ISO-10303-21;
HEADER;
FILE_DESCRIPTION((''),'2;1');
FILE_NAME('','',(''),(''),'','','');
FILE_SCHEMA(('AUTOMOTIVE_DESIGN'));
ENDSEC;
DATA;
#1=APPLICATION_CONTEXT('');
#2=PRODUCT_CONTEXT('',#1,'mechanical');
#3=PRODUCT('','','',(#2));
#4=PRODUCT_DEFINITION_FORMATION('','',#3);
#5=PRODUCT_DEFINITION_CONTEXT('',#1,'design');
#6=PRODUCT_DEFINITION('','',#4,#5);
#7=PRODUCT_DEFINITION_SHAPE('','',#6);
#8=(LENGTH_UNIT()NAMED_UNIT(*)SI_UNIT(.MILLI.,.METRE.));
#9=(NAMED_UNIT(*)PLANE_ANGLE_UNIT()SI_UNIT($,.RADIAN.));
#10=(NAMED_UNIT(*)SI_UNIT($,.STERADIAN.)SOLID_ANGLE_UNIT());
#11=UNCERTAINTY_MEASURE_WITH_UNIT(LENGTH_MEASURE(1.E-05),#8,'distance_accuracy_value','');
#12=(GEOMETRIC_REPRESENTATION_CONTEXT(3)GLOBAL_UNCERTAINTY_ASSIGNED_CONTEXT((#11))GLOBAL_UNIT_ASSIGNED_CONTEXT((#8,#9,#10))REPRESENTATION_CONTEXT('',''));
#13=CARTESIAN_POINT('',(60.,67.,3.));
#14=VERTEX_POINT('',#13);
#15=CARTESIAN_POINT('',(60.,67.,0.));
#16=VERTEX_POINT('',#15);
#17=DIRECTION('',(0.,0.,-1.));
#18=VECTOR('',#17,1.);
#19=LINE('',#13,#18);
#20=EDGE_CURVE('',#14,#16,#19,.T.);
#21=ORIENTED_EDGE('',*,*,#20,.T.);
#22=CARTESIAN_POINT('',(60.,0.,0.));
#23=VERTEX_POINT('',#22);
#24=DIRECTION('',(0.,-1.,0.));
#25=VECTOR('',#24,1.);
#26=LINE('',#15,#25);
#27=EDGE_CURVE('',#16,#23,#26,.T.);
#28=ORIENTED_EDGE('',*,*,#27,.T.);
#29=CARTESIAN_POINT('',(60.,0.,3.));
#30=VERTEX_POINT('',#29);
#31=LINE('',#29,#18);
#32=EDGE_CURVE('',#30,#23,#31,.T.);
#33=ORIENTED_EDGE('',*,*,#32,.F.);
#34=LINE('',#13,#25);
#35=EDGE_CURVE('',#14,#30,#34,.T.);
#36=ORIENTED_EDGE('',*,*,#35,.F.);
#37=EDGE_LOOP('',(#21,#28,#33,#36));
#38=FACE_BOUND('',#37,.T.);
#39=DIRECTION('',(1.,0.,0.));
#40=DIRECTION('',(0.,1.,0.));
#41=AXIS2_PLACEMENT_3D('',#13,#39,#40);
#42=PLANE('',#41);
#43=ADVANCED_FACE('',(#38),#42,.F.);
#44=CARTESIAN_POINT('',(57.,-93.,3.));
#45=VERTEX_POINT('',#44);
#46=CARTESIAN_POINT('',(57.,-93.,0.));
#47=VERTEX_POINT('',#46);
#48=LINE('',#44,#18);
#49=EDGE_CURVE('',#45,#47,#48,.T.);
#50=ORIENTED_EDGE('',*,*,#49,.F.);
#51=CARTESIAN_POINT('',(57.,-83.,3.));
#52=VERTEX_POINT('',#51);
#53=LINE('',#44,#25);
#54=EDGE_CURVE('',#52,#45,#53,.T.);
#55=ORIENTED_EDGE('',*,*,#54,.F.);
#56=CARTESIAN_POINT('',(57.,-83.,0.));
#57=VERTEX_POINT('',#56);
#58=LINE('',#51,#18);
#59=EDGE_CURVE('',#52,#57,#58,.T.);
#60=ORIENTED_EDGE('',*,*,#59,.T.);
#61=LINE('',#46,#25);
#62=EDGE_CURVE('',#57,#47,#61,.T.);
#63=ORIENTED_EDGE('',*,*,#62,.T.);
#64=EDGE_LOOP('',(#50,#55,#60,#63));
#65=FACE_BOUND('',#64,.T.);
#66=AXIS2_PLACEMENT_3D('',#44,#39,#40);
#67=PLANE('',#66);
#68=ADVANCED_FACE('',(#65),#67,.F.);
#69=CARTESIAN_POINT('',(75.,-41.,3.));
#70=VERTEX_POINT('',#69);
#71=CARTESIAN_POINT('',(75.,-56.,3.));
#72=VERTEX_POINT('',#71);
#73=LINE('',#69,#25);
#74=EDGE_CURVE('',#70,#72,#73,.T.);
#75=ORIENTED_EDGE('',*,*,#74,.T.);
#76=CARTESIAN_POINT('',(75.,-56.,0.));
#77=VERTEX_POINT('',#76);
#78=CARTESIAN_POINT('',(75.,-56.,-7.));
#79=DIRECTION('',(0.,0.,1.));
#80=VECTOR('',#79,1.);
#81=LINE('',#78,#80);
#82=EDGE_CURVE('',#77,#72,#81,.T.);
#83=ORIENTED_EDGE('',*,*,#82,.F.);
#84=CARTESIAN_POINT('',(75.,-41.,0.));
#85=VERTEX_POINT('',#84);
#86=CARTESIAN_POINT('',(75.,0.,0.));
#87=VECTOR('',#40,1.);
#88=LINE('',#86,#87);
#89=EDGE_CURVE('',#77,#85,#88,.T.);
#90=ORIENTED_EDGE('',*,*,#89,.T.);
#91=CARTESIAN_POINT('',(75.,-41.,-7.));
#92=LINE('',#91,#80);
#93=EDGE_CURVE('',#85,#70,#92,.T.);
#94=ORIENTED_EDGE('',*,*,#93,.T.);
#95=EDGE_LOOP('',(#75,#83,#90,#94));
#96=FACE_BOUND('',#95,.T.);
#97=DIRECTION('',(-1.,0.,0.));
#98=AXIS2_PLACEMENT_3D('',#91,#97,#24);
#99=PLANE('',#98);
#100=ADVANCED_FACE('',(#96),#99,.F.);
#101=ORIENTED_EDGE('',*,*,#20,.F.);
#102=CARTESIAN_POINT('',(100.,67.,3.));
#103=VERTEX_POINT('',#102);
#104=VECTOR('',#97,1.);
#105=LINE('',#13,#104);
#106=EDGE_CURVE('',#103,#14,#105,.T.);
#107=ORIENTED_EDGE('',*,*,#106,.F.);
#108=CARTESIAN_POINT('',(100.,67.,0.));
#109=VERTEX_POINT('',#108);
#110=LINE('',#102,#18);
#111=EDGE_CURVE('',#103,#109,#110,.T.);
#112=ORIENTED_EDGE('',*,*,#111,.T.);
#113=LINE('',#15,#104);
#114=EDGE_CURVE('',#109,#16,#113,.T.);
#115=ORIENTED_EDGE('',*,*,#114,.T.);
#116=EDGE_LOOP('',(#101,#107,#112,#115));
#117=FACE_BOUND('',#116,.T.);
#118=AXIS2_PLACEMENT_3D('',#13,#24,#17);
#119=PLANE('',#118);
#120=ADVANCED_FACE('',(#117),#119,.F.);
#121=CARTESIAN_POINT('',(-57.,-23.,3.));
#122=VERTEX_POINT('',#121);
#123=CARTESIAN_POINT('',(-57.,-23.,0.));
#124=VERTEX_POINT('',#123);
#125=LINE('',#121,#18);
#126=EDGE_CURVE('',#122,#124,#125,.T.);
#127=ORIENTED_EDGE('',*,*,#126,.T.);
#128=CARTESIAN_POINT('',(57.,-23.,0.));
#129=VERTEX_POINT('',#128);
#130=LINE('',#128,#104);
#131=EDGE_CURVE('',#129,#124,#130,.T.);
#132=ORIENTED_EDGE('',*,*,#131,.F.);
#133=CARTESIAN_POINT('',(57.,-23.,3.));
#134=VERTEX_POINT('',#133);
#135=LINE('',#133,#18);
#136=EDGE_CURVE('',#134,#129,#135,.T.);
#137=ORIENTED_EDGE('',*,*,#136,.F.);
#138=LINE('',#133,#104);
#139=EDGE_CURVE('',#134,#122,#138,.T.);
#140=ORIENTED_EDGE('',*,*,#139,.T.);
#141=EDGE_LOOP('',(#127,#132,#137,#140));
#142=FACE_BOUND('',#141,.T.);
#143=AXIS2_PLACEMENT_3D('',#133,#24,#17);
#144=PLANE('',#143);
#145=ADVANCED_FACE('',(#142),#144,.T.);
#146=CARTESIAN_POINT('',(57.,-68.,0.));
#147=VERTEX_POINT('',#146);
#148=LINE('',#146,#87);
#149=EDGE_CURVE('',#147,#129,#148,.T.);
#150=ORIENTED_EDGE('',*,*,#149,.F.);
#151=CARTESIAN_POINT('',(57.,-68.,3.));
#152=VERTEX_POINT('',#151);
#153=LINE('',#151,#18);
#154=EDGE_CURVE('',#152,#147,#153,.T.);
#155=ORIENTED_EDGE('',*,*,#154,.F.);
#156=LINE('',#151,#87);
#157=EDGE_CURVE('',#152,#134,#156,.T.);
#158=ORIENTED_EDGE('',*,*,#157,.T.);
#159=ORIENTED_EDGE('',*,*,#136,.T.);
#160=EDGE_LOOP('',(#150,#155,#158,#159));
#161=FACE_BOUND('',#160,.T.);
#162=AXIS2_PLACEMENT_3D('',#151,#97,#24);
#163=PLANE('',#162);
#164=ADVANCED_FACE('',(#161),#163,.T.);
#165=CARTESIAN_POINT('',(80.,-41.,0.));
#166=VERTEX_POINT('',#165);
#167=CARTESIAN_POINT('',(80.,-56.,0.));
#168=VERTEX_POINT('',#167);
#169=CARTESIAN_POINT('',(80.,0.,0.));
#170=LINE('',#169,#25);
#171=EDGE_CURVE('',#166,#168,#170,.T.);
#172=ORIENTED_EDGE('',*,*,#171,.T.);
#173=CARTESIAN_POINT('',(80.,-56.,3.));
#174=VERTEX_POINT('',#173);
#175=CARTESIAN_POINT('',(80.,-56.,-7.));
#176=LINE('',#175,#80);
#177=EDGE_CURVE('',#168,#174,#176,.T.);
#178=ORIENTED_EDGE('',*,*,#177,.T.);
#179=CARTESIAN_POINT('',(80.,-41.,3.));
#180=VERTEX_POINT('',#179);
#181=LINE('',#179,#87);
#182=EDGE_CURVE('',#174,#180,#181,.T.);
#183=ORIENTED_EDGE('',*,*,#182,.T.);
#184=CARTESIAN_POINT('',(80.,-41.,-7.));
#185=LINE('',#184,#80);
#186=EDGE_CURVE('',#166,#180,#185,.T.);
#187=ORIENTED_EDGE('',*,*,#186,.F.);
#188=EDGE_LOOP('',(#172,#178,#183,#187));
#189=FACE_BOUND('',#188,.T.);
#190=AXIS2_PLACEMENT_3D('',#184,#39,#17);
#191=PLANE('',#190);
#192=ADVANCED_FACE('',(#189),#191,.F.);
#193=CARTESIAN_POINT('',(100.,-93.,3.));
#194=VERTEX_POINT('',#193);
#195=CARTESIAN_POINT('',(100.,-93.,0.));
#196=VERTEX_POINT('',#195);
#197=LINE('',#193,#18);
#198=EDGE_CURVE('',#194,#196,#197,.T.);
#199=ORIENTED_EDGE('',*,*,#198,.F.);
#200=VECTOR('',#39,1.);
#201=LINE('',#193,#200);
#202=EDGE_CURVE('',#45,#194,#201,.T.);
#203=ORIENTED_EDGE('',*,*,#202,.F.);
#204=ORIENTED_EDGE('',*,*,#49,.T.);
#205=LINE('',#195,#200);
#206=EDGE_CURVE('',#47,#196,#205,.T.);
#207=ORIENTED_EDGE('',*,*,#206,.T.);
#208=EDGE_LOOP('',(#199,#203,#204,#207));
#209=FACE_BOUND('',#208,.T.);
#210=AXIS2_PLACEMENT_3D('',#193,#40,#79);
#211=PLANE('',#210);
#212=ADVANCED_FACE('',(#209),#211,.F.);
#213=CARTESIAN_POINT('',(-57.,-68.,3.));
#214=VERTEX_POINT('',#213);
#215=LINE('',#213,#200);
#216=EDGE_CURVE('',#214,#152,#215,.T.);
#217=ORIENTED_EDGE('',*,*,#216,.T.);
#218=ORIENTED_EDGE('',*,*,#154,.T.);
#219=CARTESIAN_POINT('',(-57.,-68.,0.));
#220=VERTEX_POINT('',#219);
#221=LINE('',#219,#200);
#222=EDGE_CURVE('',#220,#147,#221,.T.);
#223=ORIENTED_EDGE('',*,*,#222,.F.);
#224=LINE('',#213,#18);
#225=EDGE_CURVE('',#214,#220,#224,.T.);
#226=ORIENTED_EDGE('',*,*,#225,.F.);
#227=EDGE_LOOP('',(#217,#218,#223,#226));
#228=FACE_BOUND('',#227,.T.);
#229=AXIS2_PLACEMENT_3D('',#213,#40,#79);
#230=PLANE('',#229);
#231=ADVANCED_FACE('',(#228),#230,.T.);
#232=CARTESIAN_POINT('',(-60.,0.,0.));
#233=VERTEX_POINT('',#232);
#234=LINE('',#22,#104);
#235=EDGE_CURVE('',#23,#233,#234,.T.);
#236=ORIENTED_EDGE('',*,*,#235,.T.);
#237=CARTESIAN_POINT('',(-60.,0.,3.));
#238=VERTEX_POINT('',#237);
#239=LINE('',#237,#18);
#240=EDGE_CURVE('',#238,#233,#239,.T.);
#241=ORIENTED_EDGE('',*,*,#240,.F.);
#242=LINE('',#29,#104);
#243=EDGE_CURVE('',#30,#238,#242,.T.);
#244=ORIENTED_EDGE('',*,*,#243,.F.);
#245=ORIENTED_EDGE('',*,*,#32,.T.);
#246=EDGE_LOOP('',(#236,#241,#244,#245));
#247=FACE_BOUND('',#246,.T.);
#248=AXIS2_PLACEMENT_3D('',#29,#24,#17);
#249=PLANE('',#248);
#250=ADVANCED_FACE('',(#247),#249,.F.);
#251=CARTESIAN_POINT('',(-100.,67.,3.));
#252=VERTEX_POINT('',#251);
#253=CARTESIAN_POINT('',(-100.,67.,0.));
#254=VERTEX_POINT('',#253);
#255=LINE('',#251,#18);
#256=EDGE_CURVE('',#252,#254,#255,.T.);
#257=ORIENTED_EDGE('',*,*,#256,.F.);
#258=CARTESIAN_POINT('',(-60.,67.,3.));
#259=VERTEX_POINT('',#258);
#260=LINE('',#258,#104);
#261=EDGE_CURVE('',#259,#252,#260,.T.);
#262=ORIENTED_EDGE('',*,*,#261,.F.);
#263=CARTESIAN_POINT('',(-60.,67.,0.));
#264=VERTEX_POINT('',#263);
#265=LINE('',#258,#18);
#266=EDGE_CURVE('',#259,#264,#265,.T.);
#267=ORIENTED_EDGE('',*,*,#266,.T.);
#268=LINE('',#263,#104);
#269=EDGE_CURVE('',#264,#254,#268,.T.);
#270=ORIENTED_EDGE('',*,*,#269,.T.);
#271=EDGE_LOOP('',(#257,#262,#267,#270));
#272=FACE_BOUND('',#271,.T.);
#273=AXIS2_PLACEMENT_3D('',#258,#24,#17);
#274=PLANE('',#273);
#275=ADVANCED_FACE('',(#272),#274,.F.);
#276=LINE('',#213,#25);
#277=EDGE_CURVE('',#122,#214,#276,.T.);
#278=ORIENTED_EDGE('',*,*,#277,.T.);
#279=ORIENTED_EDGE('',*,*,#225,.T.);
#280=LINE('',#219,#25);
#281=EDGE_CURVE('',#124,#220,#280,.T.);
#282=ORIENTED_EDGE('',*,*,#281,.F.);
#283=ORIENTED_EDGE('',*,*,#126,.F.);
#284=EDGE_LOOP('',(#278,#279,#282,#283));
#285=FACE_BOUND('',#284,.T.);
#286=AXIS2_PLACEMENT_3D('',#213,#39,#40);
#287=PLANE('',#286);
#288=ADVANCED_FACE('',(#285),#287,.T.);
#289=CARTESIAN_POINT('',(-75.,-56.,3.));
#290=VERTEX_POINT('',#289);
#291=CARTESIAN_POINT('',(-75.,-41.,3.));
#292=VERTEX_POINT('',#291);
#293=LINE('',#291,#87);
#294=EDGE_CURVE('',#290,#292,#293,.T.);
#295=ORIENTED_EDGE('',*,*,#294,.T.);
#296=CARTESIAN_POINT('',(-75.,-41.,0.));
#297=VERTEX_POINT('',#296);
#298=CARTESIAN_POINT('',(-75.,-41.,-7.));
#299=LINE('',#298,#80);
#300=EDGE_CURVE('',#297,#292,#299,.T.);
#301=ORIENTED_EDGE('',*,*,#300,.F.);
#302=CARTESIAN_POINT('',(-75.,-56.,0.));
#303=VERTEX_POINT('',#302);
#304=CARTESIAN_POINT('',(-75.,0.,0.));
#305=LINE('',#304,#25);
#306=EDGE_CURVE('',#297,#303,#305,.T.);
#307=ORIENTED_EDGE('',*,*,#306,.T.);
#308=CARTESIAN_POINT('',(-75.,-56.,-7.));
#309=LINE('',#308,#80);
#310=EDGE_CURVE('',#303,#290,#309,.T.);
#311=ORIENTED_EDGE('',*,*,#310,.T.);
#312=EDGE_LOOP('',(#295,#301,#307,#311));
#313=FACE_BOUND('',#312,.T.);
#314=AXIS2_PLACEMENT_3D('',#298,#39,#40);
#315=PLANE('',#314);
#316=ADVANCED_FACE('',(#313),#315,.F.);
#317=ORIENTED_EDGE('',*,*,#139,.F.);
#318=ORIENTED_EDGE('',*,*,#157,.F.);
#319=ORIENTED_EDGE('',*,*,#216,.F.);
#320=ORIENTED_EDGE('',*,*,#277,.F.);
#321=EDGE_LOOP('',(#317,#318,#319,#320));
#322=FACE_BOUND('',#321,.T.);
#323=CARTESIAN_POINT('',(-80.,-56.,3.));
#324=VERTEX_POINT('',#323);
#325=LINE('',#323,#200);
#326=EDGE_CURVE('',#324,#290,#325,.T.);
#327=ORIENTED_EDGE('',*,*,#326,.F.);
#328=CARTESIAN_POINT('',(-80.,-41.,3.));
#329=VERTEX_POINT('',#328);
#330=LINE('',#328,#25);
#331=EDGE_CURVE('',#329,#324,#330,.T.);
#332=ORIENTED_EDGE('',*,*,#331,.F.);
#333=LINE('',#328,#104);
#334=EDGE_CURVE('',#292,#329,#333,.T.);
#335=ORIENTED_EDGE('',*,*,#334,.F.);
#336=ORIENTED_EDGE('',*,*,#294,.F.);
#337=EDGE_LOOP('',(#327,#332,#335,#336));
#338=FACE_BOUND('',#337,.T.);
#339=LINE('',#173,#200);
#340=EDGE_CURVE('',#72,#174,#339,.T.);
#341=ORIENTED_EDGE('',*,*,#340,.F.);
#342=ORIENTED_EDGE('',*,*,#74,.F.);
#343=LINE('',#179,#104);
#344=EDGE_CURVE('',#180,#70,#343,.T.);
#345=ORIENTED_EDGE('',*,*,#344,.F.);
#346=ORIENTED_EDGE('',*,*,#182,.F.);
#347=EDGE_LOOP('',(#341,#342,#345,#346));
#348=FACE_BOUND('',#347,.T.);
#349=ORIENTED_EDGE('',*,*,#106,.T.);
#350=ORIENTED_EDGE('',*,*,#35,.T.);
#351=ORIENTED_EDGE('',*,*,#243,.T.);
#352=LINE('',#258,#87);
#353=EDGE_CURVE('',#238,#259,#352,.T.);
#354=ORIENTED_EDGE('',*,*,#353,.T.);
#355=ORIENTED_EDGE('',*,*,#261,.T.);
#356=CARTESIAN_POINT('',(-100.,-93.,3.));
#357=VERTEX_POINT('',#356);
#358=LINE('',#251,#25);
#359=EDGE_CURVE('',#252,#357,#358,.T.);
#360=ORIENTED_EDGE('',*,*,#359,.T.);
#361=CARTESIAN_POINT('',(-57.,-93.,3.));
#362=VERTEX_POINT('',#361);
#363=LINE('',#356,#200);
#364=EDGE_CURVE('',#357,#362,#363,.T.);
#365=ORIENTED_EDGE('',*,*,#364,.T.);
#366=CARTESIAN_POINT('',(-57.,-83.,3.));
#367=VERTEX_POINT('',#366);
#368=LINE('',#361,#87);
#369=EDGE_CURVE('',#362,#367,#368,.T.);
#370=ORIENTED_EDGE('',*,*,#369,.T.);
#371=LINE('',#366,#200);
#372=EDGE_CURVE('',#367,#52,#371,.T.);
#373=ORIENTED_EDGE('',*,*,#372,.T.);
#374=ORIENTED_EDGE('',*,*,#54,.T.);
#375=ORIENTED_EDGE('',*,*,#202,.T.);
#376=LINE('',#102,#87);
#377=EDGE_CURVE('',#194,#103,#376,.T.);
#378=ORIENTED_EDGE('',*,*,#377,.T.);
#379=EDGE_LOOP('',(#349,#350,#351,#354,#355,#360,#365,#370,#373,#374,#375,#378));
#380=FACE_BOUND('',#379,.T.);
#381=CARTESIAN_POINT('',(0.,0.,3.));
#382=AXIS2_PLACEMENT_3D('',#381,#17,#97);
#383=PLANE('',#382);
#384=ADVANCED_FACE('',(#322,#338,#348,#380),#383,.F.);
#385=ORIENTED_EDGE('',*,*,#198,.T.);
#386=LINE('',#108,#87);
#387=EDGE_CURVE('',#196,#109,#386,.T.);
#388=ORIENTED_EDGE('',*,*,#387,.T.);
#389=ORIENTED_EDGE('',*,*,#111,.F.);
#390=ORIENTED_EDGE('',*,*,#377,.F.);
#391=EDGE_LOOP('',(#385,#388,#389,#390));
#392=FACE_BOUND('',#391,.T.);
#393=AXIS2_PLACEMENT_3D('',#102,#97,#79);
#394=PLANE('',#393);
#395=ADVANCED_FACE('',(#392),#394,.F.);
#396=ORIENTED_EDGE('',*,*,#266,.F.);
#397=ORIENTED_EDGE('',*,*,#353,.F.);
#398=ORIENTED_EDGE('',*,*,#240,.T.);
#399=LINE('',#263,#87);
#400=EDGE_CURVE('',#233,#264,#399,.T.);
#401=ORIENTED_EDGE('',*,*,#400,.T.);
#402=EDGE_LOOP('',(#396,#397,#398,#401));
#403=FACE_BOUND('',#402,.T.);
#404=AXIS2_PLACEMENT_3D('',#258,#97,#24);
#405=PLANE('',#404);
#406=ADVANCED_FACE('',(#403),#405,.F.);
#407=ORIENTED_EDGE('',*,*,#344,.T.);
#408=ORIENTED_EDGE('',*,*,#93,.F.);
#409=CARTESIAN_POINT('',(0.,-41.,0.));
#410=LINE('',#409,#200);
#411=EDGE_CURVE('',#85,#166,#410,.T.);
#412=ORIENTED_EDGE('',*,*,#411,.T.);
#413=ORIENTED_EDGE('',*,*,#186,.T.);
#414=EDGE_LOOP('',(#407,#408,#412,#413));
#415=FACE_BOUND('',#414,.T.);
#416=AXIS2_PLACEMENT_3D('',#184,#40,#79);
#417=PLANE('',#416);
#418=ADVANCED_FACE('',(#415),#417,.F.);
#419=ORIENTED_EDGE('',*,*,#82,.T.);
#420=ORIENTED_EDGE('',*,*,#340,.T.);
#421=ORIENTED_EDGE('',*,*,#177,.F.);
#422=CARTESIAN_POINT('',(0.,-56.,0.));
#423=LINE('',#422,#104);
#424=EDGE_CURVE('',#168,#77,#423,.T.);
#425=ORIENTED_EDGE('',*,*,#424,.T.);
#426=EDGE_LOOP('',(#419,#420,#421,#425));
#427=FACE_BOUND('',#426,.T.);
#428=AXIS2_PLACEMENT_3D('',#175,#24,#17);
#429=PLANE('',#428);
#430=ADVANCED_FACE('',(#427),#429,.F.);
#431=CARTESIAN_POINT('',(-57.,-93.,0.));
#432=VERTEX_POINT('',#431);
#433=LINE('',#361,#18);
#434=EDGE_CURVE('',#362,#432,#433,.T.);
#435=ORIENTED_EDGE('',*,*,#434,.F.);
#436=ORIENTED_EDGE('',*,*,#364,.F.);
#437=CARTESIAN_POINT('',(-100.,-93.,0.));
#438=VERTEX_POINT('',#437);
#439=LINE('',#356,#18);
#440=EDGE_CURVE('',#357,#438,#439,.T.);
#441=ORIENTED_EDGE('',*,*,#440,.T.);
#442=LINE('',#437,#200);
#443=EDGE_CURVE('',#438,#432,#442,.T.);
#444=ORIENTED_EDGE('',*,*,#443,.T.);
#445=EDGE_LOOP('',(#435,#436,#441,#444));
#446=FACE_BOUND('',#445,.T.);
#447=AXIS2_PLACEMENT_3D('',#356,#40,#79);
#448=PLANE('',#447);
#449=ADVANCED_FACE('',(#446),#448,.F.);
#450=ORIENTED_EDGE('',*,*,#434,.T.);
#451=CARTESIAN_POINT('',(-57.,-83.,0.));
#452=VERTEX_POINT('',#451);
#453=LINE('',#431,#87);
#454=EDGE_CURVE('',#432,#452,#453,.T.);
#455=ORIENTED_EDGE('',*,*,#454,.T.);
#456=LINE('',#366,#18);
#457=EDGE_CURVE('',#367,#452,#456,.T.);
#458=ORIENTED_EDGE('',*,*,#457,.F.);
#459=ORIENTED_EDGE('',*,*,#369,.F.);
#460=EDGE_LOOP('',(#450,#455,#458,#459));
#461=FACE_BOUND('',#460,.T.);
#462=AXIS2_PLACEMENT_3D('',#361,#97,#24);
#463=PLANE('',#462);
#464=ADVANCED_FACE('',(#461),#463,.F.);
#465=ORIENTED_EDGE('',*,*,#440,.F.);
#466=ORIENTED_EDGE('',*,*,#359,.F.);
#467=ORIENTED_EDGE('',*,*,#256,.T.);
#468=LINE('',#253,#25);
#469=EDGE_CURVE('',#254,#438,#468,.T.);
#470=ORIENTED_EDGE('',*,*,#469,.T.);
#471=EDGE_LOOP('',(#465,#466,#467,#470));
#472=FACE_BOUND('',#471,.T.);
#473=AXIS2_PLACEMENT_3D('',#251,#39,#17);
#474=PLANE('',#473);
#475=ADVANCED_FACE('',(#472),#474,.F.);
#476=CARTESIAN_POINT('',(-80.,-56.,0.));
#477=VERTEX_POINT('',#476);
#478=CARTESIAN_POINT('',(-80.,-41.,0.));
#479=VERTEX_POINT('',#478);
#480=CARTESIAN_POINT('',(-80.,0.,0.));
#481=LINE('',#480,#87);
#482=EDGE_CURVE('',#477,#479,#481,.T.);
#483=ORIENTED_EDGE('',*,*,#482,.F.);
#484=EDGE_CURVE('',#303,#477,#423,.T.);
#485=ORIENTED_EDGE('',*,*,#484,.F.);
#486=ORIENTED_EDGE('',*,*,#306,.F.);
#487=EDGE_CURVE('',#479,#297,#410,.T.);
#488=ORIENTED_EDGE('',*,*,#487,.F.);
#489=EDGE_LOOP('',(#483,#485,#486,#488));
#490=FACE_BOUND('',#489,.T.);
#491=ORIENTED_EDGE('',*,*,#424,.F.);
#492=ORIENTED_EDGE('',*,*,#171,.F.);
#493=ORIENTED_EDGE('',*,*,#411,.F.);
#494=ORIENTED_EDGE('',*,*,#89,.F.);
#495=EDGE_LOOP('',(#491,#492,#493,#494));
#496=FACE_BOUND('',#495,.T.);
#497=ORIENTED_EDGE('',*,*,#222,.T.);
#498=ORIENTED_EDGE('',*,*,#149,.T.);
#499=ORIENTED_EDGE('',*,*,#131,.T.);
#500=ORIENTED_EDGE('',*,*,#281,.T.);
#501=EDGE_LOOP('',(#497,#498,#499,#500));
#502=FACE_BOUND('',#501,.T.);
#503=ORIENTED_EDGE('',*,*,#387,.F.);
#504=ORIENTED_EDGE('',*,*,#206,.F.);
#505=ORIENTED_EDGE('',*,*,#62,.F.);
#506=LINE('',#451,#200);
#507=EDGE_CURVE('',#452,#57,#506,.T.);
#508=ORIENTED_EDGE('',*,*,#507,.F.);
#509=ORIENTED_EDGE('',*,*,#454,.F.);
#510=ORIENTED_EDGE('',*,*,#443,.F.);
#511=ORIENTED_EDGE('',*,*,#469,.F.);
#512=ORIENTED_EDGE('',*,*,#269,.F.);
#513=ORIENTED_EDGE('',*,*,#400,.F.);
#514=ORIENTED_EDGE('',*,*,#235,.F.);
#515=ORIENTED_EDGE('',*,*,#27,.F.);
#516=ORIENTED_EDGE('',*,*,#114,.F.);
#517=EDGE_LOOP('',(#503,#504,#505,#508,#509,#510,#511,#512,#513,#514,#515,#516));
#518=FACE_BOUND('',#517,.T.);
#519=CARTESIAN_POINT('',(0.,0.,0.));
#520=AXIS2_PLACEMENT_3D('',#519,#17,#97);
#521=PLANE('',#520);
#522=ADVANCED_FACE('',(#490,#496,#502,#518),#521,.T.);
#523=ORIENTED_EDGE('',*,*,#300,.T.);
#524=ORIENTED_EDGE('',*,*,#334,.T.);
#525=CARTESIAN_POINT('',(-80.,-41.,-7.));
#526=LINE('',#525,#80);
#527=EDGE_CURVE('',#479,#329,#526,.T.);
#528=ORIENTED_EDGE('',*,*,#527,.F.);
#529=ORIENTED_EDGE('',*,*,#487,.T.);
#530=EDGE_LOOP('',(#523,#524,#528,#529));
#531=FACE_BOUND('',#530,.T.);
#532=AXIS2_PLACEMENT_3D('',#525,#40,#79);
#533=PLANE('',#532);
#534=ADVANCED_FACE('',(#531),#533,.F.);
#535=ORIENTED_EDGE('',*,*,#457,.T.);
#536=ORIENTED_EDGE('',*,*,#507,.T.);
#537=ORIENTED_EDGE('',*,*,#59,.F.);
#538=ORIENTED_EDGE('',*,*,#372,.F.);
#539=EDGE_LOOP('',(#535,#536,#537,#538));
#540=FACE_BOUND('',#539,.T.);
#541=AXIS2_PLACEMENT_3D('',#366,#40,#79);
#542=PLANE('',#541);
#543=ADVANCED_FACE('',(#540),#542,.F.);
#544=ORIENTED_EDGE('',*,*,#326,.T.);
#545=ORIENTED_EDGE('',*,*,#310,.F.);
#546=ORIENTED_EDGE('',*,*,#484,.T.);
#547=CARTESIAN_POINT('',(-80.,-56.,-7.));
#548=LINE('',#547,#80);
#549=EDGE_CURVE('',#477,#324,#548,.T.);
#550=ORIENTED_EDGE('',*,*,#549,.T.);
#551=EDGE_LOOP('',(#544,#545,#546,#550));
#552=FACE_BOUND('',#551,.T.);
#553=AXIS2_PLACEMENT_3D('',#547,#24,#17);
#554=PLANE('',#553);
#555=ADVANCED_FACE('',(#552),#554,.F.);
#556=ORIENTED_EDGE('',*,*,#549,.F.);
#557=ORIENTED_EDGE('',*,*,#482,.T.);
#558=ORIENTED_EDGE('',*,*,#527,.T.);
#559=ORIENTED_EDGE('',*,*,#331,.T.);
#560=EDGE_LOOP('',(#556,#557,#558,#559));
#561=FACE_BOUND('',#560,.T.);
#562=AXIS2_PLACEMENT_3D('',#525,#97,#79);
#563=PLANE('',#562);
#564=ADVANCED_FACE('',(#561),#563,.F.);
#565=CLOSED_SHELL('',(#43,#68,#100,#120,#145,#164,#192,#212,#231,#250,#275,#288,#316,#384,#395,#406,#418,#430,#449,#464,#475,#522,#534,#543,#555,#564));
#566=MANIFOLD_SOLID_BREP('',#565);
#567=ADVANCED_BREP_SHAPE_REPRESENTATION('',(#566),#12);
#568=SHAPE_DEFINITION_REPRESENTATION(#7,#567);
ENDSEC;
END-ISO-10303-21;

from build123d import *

# Parameters (mm, degrees)
SKETCH_2_W          = 114
SKETCH_2_H          = 45
EXTRUDE_1_DEPTH     = 3
SKETCH_3_W          = 5
SKETCH_3_H          = 15
CUT_EXTRUDE_1_DEPTH = 10


with BuildPart() as part:
    # 草图2 → 凸台-拉伸1 (new body)
    with BuildSketch(Plane.XY):
        Polygon((60, 67), (60, 0), (-60, 0), (-60, 67), (-100, 67), (-100, -93), (-57, -93), (-57, -83), (57, -83), (57, -93), (100, -93), (100, 67), align=None)
        with Locations((0, -45.5)):
            Rectangle(SKETCH_2_W, SKETCH_2_H, mode=Mode.SUBTRACT)
    extrude(amount=EXTRUDE_1_DEPTH)

    # 草图3 → 切除-拉伸1 (cut)
    with BuildSketch(Plane.XY.offset(3)):
        with Locations((-77.5, -48.5)):
            Rectangle(SKETCH_3_W, SKETCH_3_H)
        with Locations((77.5, -48.5)):
            Rectangle(SKETCH_3_W, SKETCH_3_H)
    extrude(amount=-CUT_EXTRUDE_1_DEPTH, mode=Mode.SUBTRACT)


solid = part.part
